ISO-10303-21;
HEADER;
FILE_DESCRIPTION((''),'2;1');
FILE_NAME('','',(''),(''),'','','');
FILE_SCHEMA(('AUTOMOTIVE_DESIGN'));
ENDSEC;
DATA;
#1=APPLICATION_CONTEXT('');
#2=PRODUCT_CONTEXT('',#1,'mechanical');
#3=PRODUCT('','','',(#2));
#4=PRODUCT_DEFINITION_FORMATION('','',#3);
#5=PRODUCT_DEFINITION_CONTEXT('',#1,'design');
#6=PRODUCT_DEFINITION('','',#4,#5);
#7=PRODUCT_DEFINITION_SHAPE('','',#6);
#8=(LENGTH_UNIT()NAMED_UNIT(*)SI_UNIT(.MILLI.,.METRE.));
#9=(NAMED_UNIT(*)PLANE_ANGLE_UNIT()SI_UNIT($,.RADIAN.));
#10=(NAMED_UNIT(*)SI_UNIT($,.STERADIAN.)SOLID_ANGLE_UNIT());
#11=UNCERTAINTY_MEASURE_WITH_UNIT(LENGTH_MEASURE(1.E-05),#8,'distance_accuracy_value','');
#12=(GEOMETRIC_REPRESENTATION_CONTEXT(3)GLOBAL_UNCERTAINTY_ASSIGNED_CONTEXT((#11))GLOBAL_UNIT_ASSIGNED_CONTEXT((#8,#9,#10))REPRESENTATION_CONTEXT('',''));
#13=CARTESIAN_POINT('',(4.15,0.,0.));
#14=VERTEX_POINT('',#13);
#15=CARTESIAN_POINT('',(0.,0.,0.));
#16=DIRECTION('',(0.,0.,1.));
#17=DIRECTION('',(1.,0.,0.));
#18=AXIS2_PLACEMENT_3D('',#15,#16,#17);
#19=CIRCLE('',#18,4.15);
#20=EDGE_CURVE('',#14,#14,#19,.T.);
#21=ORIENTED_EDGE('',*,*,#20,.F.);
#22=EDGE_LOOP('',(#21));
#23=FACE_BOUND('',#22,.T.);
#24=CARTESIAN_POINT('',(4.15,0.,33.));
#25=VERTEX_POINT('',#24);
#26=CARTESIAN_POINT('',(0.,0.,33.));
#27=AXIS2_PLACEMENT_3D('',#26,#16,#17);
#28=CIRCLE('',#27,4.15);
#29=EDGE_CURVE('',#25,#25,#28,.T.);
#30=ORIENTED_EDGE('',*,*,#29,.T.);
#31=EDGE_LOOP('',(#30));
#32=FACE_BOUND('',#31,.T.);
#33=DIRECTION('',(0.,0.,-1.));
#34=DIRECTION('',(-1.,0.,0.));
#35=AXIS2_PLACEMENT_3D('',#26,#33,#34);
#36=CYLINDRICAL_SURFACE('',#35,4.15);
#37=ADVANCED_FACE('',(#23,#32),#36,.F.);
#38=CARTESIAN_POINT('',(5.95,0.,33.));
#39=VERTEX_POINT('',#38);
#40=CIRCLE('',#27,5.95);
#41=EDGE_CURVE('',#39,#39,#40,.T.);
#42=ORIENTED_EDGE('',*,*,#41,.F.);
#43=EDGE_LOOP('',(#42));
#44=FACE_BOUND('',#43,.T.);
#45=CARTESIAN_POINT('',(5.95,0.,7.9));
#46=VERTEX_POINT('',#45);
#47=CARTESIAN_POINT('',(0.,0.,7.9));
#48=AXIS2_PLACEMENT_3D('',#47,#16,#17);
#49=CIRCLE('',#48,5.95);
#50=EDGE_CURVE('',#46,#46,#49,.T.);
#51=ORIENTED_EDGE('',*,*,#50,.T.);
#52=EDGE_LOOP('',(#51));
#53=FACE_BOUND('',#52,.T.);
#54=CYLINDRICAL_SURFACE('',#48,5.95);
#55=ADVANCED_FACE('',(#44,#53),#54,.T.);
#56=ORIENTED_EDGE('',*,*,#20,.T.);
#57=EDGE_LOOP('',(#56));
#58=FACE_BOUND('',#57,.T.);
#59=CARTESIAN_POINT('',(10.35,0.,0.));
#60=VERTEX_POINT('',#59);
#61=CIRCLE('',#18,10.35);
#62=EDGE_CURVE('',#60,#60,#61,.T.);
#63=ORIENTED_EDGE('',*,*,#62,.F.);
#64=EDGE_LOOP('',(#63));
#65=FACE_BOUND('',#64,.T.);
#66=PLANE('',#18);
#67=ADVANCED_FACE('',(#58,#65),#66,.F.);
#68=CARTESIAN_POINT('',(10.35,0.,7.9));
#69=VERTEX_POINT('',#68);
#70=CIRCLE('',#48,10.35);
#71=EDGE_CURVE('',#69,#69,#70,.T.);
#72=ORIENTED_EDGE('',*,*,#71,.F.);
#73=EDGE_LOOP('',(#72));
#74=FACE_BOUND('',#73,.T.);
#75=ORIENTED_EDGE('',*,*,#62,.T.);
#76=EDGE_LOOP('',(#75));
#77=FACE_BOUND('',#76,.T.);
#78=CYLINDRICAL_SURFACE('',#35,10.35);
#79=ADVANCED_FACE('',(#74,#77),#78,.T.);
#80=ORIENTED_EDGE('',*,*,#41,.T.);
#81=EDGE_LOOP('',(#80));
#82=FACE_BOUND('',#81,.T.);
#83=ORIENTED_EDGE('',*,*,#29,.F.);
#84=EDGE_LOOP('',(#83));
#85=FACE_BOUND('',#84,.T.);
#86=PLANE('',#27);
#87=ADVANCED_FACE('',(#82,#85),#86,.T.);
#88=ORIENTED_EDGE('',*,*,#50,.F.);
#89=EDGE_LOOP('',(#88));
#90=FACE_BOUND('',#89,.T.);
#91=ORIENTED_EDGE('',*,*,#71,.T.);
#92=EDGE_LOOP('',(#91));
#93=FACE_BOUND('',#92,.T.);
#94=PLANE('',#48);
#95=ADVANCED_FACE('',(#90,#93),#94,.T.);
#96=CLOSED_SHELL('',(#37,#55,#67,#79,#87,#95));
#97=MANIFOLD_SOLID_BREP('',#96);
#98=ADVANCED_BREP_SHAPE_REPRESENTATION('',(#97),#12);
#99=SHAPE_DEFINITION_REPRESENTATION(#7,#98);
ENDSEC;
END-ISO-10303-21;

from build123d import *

# Parameters (mm, degrees)
SKETCH1_R           = 10.35
SKETCH1_R_2         = 4.15
BOSS_EXTRUDE1_DEPTH = 33
CUT_EXTRUDE1_START  = -25.1
SKETCH2_R           = 10.35
SKETCH2_R_2         = 5.95
CUT_EXTRUDE1_DEPTH  = 25.1


with BuildPart() as part:
    # Sketch1 → Boss-Extrude1 (new body)
    with BuildSketch(Plane.XY):
        Circle(SKETCH1_R)
        Circle(SKETCH1_R_2, mode=Mode.SUBTRACT)
    extrude(amount=BOSS_EXTRUDE1_DEPTH)

    # Sketch2 → Cut-Extrude1 (cut)
    with BuildSketch(Plane.XY.offset(33).offset(CUT_EXTRUDE1_START)):
        Circle(SKETCH2_R)
        Circle(SKETCH2_R_2, mode=Mode.SUBTRACT)
    extrude(amount=CUT_EXTRUDE1_DEPTH, mode=Mode.SUBTRACT)


solid = part.part
